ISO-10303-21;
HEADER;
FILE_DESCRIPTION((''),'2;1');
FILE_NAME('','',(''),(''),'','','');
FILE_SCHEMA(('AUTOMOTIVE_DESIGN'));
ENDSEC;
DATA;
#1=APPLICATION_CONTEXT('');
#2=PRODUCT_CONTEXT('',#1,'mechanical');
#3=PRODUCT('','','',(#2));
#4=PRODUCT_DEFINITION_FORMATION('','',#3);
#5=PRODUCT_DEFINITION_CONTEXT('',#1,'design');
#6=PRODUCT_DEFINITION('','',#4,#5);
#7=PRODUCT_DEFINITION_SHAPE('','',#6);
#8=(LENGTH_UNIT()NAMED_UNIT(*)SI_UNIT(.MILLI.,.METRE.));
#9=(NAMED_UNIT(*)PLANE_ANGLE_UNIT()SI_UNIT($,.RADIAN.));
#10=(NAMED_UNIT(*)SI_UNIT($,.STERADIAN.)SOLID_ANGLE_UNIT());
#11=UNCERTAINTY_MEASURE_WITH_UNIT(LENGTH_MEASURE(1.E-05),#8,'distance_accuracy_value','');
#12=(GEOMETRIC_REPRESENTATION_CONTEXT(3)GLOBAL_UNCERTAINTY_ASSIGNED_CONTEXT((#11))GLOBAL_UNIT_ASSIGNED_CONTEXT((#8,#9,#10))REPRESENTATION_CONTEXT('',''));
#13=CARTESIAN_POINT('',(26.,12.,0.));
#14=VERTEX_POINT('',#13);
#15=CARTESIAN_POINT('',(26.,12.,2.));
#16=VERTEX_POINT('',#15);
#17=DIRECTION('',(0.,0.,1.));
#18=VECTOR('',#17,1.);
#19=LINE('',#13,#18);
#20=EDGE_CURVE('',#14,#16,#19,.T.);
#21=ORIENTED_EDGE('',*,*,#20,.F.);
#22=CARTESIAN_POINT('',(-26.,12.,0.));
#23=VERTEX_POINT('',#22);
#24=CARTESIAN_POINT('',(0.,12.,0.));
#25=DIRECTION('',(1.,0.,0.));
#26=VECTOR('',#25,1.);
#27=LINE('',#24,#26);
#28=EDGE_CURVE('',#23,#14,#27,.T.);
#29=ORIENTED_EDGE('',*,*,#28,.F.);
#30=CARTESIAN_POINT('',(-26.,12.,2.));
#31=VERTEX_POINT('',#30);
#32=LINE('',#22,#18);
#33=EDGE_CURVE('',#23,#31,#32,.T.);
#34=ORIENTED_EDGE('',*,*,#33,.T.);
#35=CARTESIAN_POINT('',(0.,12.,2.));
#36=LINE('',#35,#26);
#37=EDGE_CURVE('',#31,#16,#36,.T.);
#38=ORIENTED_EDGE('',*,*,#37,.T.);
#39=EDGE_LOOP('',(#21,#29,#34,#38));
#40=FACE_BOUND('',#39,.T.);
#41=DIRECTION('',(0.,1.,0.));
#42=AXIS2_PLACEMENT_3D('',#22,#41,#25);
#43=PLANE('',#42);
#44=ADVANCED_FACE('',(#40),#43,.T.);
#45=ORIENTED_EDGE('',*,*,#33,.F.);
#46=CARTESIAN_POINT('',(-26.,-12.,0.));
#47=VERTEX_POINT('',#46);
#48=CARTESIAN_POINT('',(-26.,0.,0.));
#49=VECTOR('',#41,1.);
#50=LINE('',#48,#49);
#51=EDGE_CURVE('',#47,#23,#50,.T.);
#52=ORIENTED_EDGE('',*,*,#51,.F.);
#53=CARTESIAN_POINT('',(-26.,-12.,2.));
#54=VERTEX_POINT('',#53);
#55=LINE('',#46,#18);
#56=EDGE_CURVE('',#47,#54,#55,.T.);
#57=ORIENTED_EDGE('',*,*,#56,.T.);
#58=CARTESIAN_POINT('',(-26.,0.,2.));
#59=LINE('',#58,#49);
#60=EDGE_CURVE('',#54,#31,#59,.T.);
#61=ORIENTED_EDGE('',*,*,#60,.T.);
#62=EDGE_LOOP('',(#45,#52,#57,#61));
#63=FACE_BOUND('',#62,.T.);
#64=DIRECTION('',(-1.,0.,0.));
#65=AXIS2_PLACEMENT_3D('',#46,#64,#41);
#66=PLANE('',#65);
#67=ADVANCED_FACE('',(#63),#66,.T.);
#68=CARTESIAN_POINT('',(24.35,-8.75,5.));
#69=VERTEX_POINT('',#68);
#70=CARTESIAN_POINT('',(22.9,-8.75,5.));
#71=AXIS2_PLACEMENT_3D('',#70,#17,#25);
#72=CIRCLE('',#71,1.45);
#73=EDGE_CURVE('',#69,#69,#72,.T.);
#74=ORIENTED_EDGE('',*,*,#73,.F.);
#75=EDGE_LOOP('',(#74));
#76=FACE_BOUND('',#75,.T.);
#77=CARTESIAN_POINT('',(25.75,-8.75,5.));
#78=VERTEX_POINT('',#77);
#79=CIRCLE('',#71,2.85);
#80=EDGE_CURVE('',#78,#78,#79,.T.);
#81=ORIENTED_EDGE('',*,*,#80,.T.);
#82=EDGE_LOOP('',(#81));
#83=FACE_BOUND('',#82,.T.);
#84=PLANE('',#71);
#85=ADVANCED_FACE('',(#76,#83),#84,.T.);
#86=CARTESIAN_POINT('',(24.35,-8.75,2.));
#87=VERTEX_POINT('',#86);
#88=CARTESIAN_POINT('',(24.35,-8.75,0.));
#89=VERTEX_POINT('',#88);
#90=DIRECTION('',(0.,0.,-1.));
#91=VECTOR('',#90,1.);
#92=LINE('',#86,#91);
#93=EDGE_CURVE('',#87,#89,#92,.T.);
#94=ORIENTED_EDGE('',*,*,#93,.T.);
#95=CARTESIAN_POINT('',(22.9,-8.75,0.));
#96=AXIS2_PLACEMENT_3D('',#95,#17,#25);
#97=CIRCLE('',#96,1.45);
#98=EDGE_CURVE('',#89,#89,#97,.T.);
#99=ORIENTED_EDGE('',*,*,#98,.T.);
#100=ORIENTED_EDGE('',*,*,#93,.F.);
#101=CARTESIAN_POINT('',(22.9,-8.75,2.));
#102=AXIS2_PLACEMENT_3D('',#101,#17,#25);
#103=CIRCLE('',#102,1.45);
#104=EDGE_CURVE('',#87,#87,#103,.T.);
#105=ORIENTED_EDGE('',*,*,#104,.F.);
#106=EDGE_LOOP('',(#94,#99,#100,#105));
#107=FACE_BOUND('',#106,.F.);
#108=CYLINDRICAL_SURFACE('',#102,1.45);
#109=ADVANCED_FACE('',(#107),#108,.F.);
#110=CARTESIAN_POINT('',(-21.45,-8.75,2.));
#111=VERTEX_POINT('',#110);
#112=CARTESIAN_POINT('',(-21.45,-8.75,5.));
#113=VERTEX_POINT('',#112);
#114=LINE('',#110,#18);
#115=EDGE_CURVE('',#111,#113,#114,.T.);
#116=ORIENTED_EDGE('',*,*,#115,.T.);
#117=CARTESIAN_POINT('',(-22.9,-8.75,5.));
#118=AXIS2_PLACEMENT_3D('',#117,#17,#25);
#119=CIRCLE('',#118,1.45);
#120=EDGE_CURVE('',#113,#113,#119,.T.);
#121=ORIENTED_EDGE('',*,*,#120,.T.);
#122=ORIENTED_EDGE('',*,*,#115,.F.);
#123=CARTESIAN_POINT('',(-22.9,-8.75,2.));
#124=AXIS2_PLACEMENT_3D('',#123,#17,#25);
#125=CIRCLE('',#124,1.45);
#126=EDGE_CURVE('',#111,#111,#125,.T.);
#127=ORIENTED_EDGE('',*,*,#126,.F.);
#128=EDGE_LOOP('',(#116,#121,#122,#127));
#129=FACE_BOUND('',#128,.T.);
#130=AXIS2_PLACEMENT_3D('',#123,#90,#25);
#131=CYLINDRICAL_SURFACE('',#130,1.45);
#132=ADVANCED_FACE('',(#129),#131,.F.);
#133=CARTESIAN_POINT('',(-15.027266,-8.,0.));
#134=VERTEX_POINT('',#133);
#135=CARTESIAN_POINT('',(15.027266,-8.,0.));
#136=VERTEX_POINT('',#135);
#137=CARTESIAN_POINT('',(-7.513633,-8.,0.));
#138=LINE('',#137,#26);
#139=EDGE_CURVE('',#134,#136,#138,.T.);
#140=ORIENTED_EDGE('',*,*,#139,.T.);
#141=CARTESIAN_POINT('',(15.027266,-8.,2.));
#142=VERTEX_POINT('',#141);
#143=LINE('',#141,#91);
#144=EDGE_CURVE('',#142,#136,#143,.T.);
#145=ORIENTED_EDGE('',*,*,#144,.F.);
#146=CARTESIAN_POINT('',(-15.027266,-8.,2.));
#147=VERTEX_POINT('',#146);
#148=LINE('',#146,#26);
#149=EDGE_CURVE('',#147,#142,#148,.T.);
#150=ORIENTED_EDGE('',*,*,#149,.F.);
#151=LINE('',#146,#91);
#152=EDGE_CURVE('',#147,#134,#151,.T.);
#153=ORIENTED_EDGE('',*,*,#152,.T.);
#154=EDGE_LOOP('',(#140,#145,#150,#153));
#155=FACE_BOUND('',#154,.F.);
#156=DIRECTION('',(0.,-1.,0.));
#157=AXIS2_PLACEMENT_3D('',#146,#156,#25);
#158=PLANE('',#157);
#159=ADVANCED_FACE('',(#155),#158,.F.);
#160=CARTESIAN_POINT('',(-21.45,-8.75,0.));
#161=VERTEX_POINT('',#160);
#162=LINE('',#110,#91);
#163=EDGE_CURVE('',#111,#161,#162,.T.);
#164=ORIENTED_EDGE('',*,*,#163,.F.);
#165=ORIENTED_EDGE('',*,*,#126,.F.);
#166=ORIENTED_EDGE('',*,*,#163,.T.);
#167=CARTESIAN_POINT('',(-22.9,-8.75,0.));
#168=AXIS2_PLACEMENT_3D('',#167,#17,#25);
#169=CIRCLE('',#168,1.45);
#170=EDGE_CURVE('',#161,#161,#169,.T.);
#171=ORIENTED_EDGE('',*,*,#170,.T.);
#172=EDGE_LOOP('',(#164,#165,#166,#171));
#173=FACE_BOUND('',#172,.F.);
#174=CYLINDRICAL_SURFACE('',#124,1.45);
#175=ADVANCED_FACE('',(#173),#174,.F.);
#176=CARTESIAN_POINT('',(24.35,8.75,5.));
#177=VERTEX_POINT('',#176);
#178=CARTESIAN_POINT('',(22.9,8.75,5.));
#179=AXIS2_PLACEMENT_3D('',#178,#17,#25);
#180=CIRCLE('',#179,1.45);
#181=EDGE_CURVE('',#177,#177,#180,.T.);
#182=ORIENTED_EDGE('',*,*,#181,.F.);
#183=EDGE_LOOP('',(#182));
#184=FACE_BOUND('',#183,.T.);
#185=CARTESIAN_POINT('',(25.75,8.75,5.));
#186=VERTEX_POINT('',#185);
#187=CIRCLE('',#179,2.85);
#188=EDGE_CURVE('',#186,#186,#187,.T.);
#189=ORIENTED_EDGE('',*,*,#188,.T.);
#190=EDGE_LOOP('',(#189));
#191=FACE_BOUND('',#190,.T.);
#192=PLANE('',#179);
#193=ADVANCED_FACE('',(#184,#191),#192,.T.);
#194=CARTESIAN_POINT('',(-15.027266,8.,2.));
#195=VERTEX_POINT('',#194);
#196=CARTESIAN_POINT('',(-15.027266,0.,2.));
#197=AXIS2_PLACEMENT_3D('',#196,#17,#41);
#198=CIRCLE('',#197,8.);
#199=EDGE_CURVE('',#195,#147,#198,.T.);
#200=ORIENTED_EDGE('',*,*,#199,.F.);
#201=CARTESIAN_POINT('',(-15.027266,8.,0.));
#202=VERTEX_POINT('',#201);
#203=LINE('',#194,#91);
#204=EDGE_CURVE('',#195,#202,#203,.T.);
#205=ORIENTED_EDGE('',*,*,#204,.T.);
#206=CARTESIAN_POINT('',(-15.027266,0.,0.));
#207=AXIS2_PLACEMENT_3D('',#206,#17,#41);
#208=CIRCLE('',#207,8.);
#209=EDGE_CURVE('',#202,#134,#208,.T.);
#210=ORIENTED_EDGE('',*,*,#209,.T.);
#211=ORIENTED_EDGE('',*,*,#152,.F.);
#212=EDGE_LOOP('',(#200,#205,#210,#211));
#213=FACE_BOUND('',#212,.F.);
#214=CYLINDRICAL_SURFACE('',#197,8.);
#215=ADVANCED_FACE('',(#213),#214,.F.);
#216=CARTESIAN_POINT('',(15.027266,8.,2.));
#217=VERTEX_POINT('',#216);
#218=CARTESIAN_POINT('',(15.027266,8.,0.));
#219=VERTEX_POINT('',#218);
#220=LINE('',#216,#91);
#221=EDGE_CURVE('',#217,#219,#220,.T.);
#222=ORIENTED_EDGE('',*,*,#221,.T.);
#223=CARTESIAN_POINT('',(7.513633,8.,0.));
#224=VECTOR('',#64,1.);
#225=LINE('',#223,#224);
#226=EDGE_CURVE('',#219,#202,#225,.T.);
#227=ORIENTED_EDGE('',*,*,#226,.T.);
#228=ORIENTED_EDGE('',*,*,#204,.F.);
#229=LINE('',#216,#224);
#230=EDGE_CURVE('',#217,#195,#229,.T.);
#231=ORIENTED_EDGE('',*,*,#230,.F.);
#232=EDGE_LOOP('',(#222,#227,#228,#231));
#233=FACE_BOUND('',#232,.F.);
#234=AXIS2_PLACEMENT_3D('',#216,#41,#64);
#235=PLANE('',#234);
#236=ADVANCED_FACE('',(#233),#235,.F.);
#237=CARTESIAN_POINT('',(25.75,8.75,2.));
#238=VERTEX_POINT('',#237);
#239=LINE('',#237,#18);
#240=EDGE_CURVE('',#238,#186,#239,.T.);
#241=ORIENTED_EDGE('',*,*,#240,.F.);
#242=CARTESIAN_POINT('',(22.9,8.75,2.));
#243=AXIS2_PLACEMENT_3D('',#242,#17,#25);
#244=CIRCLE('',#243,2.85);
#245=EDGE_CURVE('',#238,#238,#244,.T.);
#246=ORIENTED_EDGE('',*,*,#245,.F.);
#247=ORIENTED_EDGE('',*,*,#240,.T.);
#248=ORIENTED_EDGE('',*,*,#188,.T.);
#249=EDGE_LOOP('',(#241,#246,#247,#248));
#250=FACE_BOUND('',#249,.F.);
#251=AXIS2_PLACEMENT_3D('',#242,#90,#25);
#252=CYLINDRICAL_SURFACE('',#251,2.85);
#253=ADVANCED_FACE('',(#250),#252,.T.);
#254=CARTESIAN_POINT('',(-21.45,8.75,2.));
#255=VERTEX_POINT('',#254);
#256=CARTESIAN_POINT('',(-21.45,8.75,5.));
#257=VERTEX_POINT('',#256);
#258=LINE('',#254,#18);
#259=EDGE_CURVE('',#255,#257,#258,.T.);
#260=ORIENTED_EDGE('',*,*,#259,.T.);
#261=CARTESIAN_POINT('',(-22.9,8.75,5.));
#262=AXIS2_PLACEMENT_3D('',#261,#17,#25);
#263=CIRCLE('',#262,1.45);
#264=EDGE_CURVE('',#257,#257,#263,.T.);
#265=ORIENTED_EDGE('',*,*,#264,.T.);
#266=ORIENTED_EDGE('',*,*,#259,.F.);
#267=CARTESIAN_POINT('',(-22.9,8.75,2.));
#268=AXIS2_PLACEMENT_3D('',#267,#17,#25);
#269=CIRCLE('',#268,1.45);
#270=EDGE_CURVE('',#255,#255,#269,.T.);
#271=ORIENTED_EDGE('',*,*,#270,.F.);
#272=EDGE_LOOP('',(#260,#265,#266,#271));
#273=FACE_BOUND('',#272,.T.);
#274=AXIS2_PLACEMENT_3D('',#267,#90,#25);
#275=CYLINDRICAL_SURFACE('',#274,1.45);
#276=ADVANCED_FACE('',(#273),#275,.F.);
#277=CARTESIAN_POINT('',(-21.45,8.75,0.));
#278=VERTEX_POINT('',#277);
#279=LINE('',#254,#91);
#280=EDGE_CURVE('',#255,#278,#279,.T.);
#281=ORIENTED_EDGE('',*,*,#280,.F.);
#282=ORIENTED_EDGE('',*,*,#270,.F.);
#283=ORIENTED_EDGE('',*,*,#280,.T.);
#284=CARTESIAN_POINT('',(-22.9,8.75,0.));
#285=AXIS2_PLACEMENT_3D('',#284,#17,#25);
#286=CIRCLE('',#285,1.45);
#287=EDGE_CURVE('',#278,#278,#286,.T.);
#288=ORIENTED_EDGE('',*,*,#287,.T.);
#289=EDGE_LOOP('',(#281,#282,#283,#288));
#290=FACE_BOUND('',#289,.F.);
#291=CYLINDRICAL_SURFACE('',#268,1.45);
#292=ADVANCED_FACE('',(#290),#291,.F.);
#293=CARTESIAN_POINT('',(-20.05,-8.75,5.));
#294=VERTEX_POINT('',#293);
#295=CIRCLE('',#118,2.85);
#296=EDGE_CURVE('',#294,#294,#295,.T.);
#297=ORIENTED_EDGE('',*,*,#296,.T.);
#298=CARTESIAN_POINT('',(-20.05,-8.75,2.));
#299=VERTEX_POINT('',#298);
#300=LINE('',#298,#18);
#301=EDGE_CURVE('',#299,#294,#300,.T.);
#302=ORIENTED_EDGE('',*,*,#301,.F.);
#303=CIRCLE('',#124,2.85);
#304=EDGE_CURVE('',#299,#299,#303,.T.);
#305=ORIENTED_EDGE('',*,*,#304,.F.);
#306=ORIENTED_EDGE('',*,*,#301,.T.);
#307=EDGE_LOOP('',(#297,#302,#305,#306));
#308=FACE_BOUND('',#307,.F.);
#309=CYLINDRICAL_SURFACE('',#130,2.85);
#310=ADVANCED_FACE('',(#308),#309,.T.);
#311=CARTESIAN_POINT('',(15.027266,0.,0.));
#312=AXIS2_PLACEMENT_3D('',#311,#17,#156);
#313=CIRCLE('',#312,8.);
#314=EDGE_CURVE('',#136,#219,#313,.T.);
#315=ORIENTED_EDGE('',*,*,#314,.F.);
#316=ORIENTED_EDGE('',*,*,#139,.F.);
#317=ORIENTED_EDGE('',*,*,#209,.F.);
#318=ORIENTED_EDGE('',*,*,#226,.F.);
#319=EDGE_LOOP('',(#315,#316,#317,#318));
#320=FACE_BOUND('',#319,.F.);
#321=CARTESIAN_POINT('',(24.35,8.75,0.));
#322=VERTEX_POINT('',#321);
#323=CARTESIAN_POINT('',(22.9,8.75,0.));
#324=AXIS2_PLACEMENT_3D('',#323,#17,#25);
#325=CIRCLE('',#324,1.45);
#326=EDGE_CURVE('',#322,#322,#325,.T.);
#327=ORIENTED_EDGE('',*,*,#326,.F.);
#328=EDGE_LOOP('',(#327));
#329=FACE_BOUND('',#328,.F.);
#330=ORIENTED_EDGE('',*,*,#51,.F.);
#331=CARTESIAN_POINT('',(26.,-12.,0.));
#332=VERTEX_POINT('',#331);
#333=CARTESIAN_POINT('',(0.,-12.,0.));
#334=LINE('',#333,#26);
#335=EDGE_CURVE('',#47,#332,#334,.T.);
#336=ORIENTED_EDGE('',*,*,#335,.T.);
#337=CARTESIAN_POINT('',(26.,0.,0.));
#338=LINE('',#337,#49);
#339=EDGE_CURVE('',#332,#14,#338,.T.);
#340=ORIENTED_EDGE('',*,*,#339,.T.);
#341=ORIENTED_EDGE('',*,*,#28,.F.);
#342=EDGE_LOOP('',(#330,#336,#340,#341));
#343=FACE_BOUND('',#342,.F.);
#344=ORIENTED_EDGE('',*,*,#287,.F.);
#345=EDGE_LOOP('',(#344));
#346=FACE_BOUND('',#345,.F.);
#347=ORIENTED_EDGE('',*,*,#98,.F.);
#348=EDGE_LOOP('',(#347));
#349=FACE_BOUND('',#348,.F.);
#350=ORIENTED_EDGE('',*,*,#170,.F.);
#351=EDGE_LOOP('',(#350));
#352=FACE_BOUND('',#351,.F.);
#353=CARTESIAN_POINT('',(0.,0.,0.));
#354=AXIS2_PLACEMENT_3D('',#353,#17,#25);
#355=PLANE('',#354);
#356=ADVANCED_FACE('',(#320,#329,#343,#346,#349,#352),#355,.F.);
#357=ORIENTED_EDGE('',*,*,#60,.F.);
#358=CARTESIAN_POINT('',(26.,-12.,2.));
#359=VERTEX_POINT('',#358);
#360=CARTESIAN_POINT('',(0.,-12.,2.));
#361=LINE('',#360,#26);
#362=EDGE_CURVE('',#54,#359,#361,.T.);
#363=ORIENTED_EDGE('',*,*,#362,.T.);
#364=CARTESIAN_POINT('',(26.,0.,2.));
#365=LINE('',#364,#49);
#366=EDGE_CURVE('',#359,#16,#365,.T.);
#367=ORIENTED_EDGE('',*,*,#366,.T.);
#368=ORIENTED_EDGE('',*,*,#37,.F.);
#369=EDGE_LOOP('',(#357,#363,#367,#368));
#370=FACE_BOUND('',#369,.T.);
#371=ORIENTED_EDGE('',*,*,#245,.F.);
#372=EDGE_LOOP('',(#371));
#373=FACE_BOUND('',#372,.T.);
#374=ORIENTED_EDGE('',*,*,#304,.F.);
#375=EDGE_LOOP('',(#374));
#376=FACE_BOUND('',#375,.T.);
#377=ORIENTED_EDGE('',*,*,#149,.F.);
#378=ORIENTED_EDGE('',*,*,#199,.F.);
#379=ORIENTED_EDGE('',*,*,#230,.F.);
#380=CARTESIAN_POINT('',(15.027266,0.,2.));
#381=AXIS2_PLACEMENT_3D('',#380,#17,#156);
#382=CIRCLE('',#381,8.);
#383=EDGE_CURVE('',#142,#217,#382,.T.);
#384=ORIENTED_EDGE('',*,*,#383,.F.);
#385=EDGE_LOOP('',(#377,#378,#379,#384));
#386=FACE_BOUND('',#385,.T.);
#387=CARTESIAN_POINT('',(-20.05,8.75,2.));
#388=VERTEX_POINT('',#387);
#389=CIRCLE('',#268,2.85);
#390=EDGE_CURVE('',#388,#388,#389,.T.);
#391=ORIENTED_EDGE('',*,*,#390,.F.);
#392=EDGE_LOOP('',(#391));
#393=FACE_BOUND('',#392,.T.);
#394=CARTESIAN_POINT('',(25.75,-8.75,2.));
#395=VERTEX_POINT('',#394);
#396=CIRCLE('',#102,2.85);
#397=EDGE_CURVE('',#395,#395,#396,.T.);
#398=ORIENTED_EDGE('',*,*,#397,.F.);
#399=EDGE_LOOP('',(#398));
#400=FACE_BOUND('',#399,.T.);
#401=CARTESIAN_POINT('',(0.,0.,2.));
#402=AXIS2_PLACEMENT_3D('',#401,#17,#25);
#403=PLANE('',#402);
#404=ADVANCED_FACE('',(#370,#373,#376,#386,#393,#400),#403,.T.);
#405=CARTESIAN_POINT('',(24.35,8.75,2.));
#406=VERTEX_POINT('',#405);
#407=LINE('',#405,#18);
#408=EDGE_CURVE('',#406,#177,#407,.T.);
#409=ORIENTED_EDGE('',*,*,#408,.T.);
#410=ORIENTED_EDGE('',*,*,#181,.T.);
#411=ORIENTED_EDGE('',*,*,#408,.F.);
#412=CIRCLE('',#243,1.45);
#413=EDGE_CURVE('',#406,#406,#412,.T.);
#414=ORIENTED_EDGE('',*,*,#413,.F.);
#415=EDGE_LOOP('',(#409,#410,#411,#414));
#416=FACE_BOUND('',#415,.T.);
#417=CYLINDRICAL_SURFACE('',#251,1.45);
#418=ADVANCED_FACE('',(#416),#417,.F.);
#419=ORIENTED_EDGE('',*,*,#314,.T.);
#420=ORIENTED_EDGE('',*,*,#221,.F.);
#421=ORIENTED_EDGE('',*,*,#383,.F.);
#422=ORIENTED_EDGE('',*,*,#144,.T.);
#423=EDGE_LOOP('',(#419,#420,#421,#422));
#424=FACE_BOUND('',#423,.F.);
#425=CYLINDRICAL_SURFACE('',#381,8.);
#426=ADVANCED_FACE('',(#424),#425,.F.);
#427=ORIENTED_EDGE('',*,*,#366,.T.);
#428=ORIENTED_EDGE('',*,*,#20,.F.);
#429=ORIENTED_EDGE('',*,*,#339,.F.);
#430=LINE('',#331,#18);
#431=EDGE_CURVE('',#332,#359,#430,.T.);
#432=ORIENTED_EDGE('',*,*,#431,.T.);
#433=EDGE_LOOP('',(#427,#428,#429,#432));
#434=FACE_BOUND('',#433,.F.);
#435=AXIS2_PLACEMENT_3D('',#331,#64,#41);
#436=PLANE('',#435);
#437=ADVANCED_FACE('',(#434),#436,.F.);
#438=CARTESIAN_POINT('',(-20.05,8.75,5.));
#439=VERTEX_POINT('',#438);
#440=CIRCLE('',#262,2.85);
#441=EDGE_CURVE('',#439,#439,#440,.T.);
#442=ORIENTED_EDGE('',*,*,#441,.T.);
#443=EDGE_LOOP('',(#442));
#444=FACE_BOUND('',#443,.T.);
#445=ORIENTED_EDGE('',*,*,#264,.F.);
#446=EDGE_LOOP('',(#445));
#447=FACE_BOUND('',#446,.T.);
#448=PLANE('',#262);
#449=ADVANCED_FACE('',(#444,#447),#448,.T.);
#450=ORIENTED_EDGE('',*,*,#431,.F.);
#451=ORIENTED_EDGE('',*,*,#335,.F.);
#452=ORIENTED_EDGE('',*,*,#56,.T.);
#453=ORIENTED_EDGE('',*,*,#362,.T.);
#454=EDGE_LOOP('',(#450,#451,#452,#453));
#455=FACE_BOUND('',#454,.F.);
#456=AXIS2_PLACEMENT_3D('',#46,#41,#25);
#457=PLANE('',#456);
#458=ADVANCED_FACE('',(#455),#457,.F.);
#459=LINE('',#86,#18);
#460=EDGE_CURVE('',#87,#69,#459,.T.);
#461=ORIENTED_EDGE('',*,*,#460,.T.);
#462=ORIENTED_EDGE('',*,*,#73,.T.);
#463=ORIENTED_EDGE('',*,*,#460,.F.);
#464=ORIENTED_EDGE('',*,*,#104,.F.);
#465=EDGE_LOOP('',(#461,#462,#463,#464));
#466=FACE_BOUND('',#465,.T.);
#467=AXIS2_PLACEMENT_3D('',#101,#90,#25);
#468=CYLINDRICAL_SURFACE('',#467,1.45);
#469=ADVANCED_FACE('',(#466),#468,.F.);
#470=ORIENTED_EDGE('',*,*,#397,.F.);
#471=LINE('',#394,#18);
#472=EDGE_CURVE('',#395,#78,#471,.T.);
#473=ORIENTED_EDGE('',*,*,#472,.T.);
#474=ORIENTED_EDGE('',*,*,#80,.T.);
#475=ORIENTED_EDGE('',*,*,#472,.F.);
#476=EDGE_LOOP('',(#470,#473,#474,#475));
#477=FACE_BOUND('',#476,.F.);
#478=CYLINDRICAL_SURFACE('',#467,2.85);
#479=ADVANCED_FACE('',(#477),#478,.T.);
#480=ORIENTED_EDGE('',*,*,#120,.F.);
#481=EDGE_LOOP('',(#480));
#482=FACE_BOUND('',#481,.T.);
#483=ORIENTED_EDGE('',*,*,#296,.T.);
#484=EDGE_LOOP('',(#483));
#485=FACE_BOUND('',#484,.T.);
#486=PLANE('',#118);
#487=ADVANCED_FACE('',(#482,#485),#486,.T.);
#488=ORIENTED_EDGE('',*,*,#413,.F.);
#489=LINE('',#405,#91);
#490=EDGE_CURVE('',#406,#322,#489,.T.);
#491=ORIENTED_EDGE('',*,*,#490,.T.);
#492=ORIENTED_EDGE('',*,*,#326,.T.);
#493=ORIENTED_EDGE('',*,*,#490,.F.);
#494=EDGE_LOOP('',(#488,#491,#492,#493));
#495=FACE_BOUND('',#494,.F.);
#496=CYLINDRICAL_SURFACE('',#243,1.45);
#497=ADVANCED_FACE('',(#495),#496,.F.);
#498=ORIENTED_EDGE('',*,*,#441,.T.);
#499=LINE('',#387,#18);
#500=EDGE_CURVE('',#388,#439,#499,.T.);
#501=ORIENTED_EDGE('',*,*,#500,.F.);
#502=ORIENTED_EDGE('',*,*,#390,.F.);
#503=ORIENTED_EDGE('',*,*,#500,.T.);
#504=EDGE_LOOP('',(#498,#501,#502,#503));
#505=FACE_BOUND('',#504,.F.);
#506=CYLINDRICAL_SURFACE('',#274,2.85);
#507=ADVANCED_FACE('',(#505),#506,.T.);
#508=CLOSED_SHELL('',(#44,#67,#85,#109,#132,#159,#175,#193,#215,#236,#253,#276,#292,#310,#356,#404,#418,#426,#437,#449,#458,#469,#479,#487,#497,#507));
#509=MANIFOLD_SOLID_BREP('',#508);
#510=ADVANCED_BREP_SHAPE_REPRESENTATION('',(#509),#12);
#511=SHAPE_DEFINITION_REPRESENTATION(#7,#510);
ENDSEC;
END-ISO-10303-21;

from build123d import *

# Parameters (mm, degrees)
SKETCH_W        = 52
SKETCH_H        = 24
PAD_DEPTH       = 2
SKETCH001_R     = 1.45
POCKET_DEPTH    = 2.001
SKETCH002_R     = 2.85
SKETCH002_R_2   = 1.45
PAD001_DEPTH    = 3
POCKET001_DEPTH = 2.001


with BuildPart() as part:
    # Sketch → Pad (new body)
    with BuildSketch(Plane.XY):
        Rectangle(SKETCH_W, SKETCH_H)
    extrude(amount=PAD_DEPTH)

    # Sketch001 (on Face6 of Pad) → Pocket (cut, through all)
    with BuildSketch(Plane.XY.offset(2)):
        with Locations((-22.9, 8.75)):
            Circle(SKETCH001_R)
        with Locations((22.9, 8.75)):
            Circle(SKETCH001_R)
        with Locations((22.9, -8.75)):
            Circle(SKETCH001_R)
        with Locations((-22.9, -8.75)):
            Circle(SKETCH001_R)
    extrude(amount=-POCKET_DEPTH, mode=Mode.SUBTRACT)

    # Sketch002 (on Face5 of Pocket) → Pad001 (join)
    with BuildSketch(Plane.XY.offset(2)):
        with Locations((-22.9, 8.75)):
            Circle(SKETCH002_R)
        with Locations((-22.9, 8.75)):
            Circle(SKETCH002_R_2, mode=Mode.SUBTRACT)
        with Locations((22.9, 8.75)):
            Circle(SKETCH002_R)
        with Locations((22.9, 8.75)):
            Circle(SKETCH002_R_2, mode=Mode.SUBTRACT)
        with Locations((22.9, -8.75)):
            Circle(SKETCH002_R)
        with Locations((22.9, -8.75)):
            Circle(SKETCH002_R_2, mode=Mode.SUBTRACT)
        with Locations((-22.9, -8.75)):
            Circle(SKETCH002_R)
        with Locations((-22.9, -8.75)):
            Circle(SKETCH002_R_2, mode=Mode.SUBTRACT)
    extrude(amount=PAD001_DEPTH)

    # Sketch003 (on Face5 of Pad001) → Pocket001 (cut, through all)
    with BuildSketch(Plane.XY.offset(2)):
        with BuildLine():
            ThreePointArc((-15.027266, 8), (-23.027266, 0), (-15.027266, -8))
            Line((-15.027266, -8), (15.027266, -8))
            ThreePointArc((15.027266, -8), (23.027266, 0), (15.027266, 8))
            Line((15.027266, 8), (-15.027266, 8))
        make_face()
    extrude(amount=-POCKET001_DEPTH, mode=Mode.SUBTRACT)


solid = part.part
